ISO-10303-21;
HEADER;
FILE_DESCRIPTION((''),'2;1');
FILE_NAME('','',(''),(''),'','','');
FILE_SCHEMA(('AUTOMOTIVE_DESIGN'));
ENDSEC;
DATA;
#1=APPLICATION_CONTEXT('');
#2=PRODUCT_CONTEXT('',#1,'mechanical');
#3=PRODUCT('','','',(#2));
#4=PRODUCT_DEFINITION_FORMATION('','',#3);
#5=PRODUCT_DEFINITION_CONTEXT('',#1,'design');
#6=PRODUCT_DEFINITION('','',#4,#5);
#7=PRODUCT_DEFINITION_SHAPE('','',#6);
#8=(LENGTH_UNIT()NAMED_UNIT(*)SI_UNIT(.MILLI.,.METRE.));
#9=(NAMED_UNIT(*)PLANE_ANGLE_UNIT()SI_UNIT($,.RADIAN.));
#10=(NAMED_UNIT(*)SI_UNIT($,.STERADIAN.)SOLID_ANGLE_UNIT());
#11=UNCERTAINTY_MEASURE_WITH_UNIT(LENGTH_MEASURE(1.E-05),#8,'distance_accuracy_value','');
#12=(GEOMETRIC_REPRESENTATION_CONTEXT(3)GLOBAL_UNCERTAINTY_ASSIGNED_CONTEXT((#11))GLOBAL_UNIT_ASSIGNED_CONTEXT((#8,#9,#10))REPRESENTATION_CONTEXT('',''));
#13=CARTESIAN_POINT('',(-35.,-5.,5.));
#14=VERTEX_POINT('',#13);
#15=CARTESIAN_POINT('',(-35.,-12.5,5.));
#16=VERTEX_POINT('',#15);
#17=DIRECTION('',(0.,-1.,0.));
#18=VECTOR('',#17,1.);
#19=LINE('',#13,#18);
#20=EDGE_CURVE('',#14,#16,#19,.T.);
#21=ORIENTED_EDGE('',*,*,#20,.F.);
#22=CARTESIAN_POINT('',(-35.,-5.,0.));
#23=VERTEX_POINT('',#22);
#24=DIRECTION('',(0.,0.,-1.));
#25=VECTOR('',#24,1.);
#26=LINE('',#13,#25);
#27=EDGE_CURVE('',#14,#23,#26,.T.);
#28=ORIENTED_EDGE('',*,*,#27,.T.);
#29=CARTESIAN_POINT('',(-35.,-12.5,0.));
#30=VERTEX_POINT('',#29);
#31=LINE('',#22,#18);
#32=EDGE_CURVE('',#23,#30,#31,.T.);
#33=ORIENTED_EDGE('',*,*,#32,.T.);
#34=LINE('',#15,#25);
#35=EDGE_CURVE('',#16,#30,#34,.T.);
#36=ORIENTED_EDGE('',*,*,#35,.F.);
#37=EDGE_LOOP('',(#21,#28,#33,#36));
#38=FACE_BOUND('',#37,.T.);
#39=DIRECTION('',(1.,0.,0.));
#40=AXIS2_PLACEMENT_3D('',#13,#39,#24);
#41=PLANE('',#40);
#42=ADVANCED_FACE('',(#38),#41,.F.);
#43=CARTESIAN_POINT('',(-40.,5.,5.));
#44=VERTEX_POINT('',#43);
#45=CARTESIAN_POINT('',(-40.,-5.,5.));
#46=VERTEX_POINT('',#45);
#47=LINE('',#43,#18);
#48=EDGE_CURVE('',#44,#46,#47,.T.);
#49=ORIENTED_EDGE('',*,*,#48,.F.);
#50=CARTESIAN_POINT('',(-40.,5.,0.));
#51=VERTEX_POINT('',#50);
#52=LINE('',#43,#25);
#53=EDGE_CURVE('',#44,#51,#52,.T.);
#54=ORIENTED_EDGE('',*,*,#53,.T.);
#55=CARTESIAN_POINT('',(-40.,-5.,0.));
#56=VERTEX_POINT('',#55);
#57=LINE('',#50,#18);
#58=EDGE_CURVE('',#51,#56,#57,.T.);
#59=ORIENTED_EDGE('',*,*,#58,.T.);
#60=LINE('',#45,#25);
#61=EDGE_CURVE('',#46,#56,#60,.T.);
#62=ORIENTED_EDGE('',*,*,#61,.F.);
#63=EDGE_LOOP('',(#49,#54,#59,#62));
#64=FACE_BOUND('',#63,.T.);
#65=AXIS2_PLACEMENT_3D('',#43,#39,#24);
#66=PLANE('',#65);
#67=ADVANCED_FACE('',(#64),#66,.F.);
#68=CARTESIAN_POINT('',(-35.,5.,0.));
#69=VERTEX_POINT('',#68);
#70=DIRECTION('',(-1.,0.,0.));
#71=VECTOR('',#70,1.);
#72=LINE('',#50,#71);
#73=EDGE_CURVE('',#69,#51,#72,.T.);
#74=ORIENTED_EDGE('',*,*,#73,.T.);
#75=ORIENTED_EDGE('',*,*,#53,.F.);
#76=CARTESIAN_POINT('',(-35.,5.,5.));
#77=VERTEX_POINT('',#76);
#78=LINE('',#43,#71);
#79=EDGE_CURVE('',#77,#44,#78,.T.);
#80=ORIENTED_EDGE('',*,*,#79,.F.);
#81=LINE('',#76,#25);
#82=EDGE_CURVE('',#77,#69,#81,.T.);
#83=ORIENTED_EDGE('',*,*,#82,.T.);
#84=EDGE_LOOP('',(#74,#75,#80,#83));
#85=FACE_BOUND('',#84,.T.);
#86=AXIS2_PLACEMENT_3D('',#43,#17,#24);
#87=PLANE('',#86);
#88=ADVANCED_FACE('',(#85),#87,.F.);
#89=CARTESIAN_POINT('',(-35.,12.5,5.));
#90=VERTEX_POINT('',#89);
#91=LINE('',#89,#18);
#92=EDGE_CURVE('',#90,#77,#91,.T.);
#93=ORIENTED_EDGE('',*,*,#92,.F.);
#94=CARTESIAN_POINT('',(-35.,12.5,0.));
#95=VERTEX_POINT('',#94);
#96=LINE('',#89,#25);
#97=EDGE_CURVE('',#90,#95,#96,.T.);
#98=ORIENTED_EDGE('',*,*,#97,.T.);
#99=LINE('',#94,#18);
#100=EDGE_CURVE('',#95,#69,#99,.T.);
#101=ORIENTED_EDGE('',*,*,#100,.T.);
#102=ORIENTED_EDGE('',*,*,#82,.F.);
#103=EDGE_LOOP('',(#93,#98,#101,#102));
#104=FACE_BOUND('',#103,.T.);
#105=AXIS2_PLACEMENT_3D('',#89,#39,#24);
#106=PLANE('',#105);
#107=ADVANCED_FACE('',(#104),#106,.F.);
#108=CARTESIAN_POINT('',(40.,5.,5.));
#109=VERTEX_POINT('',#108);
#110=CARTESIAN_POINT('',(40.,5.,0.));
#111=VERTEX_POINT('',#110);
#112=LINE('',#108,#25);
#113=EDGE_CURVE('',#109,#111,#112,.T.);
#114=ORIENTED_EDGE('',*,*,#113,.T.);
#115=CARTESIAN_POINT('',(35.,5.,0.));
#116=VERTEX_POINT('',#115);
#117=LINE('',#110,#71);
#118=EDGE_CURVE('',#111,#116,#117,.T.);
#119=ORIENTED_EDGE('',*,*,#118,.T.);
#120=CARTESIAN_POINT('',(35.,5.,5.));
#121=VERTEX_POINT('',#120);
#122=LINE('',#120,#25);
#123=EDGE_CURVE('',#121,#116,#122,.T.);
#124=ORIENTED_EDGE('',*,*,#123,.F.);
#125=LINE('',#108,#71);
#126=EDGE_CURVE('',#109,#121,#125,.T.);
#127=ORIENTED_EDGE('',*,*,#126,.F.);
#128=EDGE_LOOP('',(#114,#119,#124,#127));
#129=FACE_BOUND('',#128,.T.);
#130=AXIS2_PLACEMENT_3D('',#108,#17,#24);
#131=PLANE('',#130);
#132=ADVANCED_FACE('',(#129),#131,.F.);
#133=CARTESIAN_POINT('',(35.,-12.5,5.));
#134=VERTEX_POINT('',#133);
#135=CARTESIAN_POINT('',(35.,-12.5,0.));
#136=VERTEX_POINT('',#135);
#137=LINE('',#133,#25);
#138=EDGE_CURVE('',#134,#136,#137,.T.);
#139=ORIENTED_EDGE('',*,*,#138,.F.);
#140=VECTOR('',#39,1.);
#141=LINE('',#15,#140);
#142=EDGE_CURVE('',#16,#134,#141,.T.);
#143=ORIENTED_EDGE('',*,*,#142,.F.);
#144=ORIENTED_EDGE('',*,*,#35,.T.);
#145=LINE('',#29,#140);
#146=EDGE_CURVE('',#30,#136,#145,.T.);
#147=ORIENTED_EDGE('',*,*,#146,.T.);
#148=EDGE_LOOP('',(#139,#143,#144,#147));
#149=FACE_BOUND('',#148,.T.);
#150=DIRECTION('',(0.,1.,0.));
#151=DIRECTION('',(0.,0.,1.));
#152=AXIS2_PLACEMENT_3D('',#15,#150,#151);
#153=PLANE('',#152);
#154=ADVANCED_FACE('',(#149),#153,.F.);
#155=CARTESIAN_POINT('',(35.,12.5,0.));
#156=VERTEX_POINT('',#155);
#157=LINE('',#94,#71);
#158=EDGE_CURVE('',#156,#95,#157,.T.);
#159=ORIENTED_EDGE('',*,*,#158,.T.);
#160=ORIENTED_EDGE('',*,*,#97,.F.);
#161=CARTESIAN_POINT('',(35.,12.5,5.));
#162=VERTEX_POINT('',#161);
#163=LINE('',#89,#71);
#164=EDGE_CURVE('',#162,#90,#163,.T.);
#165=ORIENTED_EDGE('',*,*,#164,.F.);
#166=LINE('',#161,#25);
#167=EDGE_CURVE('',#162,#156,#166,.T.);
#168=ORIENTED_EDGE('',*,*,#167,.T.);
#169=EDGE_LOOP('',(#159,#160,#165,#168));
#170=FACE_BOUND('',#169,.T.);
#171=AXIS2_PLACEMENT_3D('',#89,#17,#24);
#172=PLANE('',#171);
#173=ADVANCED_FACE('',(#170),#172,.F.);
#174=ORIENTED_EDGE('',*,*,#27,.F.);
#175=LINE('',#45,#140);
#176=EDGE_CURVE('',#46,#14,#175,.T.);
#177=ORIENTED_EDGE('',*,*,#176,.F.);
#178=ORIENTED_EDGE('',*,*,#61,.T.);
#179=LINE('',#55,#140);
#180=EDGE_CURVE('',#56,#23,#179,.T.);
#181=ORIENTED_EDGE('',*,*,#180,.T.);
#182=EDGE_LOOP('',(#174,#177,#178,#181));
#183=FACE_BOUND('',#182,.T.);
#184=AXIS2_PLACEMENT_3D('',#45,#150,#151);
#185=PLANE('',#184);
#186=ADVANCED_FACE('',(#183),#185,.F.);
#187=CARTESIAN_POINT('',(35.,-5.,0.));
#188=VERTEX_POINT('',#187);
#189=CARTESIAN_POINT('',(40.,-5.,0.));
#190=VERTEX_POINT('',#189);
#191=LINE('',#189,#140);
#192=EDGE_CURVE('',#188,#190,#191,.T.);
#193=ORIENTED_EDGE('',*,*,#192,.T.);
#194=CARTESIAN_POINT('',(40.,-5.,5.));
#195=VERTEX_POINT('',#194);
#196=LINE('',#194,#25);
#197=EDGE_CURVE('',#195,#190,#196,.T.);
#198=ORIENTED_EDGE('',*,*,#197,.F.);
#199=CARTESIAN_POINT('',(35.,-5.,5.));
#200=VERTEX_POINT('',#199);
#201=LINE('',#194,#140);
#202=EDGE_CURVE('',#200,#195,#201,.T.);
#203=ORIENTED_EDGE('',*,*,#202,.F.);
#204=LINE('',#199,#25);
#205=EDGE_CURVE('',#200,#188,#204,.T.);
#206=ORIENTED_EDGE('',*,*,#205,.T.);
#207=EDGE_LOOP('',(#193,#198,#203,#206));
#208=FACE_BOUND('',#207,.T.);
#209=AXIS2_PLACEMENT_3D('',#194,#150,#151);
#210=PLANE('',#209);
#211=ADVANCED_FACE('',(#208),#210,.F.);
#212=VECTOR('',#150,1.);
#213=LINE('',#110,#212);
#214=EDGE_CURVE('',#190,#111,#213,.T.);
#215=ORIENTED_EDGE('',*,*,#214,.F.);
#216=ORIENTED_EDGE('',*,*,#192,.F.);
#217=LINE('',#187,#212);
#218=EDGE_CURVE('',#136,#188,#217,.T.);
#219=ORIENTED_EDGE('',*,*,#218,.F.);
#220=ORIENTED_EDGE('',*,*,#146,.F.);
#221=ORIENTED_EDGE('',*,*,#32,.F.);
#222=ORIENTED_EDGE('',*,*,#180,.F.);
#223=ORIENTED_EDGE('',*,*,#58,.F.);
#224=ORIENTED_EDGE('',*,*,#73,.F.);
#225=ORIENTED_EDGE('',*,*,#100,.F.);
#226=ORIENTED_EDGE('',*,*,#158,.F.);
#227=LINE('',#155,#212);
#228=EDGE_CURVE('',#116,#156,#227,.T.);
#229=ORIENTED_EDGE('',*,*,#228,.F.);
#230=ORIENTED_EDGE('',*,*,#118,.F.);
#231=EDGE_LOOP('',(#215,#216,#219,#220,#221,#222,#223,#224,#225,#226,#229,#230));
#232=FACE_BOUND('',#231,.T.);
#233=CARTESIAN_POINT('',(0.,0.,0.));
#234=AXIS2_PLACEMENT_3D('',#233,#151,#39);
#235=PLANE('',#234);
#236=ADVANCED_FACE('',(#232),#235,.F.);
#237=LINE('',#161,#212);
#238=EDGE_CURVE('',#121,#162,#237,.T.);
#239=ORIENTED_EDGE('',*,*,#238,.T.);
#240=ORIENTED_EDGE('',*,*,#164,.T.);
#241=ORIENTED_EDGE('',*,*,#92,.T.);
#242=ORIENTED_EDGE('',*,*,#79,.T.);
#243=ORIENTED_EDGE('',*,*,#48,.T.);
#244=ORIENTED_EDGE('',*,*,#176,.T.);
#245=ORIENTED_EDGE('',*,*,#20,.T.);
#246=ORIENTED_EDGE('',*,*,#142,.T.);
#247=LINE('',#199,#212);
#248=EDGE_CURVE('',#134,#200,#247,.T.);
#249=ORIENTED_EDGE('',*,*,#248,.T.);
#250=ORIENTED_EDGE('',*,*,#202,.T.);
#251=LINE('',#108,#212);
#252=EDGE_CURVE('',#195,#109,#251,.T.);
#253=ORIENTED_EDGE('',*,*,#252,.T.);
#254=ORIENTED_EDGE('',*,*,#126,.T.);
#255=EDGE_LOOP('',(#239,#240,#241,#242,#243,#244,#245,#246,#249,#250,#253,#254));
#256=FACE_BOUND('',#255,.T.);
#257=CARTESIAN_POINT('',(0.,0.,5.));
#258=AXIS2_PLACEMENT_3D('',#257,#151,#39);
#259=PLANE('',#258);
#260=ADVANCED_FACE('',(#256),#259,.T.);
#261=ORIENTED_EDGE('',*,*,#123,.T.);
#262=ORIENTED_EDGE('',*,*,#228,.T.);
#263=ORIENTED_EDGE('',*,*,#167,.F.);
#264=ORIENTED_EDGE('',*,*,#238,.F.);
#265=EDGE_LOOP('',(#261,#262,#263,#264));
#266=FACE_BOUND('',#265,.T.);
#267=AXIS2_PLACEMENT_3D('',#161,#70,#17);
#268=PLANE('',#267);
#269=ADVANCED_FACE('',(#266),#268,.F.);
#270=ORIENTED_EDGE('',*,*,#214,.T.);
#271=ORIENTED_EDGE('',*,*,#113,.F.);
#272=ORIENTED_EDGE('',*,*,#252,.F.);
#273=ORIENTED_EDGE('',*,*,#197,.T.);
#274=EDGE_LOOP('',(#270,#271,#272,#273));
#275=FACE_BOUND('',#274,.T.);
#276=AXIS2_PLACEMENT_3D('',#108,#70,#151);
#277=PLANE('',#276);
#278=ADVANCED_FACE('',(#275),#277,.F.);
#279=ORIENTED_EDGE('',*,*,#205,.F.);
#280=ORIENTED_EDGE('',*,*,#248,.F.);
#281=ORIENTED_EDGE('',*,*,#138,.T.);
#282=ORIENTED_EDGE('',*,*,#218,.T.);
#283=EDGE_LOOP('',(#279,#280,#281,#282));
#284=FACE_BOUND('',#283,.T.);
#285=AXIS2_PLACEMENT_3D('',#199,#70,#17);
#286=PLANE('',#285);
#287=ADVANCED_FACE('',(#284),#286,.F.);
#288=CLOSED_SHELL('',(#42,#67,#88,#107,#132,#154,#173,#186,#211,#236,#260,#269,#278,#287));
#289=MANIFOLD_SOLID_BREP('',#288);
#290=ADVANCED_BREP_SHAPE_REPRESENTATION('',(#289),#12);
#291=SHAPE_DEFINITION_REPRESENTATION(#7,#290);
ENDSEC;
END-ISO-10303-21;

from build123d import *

# Parameters (mm, degrees)
EXTRUDE_1_DEPTH = 5


with BuildPart() as part:
    # 스케치1 → 보스-돌출1 (new body)
    with BuildSketch(Plane.XY):
        Polygon((-40, 5), (-40, -5), (-35, -5), (-35, -12.5), (35, -12.5), (35, -5), (40, -5), (40, 5), (35, 5), (35, 12.5), (-35, 12.5), (-35, 5), align=None)
    extrude(amount=EXTRUDE_1_DEPTH)


solid = part.part
